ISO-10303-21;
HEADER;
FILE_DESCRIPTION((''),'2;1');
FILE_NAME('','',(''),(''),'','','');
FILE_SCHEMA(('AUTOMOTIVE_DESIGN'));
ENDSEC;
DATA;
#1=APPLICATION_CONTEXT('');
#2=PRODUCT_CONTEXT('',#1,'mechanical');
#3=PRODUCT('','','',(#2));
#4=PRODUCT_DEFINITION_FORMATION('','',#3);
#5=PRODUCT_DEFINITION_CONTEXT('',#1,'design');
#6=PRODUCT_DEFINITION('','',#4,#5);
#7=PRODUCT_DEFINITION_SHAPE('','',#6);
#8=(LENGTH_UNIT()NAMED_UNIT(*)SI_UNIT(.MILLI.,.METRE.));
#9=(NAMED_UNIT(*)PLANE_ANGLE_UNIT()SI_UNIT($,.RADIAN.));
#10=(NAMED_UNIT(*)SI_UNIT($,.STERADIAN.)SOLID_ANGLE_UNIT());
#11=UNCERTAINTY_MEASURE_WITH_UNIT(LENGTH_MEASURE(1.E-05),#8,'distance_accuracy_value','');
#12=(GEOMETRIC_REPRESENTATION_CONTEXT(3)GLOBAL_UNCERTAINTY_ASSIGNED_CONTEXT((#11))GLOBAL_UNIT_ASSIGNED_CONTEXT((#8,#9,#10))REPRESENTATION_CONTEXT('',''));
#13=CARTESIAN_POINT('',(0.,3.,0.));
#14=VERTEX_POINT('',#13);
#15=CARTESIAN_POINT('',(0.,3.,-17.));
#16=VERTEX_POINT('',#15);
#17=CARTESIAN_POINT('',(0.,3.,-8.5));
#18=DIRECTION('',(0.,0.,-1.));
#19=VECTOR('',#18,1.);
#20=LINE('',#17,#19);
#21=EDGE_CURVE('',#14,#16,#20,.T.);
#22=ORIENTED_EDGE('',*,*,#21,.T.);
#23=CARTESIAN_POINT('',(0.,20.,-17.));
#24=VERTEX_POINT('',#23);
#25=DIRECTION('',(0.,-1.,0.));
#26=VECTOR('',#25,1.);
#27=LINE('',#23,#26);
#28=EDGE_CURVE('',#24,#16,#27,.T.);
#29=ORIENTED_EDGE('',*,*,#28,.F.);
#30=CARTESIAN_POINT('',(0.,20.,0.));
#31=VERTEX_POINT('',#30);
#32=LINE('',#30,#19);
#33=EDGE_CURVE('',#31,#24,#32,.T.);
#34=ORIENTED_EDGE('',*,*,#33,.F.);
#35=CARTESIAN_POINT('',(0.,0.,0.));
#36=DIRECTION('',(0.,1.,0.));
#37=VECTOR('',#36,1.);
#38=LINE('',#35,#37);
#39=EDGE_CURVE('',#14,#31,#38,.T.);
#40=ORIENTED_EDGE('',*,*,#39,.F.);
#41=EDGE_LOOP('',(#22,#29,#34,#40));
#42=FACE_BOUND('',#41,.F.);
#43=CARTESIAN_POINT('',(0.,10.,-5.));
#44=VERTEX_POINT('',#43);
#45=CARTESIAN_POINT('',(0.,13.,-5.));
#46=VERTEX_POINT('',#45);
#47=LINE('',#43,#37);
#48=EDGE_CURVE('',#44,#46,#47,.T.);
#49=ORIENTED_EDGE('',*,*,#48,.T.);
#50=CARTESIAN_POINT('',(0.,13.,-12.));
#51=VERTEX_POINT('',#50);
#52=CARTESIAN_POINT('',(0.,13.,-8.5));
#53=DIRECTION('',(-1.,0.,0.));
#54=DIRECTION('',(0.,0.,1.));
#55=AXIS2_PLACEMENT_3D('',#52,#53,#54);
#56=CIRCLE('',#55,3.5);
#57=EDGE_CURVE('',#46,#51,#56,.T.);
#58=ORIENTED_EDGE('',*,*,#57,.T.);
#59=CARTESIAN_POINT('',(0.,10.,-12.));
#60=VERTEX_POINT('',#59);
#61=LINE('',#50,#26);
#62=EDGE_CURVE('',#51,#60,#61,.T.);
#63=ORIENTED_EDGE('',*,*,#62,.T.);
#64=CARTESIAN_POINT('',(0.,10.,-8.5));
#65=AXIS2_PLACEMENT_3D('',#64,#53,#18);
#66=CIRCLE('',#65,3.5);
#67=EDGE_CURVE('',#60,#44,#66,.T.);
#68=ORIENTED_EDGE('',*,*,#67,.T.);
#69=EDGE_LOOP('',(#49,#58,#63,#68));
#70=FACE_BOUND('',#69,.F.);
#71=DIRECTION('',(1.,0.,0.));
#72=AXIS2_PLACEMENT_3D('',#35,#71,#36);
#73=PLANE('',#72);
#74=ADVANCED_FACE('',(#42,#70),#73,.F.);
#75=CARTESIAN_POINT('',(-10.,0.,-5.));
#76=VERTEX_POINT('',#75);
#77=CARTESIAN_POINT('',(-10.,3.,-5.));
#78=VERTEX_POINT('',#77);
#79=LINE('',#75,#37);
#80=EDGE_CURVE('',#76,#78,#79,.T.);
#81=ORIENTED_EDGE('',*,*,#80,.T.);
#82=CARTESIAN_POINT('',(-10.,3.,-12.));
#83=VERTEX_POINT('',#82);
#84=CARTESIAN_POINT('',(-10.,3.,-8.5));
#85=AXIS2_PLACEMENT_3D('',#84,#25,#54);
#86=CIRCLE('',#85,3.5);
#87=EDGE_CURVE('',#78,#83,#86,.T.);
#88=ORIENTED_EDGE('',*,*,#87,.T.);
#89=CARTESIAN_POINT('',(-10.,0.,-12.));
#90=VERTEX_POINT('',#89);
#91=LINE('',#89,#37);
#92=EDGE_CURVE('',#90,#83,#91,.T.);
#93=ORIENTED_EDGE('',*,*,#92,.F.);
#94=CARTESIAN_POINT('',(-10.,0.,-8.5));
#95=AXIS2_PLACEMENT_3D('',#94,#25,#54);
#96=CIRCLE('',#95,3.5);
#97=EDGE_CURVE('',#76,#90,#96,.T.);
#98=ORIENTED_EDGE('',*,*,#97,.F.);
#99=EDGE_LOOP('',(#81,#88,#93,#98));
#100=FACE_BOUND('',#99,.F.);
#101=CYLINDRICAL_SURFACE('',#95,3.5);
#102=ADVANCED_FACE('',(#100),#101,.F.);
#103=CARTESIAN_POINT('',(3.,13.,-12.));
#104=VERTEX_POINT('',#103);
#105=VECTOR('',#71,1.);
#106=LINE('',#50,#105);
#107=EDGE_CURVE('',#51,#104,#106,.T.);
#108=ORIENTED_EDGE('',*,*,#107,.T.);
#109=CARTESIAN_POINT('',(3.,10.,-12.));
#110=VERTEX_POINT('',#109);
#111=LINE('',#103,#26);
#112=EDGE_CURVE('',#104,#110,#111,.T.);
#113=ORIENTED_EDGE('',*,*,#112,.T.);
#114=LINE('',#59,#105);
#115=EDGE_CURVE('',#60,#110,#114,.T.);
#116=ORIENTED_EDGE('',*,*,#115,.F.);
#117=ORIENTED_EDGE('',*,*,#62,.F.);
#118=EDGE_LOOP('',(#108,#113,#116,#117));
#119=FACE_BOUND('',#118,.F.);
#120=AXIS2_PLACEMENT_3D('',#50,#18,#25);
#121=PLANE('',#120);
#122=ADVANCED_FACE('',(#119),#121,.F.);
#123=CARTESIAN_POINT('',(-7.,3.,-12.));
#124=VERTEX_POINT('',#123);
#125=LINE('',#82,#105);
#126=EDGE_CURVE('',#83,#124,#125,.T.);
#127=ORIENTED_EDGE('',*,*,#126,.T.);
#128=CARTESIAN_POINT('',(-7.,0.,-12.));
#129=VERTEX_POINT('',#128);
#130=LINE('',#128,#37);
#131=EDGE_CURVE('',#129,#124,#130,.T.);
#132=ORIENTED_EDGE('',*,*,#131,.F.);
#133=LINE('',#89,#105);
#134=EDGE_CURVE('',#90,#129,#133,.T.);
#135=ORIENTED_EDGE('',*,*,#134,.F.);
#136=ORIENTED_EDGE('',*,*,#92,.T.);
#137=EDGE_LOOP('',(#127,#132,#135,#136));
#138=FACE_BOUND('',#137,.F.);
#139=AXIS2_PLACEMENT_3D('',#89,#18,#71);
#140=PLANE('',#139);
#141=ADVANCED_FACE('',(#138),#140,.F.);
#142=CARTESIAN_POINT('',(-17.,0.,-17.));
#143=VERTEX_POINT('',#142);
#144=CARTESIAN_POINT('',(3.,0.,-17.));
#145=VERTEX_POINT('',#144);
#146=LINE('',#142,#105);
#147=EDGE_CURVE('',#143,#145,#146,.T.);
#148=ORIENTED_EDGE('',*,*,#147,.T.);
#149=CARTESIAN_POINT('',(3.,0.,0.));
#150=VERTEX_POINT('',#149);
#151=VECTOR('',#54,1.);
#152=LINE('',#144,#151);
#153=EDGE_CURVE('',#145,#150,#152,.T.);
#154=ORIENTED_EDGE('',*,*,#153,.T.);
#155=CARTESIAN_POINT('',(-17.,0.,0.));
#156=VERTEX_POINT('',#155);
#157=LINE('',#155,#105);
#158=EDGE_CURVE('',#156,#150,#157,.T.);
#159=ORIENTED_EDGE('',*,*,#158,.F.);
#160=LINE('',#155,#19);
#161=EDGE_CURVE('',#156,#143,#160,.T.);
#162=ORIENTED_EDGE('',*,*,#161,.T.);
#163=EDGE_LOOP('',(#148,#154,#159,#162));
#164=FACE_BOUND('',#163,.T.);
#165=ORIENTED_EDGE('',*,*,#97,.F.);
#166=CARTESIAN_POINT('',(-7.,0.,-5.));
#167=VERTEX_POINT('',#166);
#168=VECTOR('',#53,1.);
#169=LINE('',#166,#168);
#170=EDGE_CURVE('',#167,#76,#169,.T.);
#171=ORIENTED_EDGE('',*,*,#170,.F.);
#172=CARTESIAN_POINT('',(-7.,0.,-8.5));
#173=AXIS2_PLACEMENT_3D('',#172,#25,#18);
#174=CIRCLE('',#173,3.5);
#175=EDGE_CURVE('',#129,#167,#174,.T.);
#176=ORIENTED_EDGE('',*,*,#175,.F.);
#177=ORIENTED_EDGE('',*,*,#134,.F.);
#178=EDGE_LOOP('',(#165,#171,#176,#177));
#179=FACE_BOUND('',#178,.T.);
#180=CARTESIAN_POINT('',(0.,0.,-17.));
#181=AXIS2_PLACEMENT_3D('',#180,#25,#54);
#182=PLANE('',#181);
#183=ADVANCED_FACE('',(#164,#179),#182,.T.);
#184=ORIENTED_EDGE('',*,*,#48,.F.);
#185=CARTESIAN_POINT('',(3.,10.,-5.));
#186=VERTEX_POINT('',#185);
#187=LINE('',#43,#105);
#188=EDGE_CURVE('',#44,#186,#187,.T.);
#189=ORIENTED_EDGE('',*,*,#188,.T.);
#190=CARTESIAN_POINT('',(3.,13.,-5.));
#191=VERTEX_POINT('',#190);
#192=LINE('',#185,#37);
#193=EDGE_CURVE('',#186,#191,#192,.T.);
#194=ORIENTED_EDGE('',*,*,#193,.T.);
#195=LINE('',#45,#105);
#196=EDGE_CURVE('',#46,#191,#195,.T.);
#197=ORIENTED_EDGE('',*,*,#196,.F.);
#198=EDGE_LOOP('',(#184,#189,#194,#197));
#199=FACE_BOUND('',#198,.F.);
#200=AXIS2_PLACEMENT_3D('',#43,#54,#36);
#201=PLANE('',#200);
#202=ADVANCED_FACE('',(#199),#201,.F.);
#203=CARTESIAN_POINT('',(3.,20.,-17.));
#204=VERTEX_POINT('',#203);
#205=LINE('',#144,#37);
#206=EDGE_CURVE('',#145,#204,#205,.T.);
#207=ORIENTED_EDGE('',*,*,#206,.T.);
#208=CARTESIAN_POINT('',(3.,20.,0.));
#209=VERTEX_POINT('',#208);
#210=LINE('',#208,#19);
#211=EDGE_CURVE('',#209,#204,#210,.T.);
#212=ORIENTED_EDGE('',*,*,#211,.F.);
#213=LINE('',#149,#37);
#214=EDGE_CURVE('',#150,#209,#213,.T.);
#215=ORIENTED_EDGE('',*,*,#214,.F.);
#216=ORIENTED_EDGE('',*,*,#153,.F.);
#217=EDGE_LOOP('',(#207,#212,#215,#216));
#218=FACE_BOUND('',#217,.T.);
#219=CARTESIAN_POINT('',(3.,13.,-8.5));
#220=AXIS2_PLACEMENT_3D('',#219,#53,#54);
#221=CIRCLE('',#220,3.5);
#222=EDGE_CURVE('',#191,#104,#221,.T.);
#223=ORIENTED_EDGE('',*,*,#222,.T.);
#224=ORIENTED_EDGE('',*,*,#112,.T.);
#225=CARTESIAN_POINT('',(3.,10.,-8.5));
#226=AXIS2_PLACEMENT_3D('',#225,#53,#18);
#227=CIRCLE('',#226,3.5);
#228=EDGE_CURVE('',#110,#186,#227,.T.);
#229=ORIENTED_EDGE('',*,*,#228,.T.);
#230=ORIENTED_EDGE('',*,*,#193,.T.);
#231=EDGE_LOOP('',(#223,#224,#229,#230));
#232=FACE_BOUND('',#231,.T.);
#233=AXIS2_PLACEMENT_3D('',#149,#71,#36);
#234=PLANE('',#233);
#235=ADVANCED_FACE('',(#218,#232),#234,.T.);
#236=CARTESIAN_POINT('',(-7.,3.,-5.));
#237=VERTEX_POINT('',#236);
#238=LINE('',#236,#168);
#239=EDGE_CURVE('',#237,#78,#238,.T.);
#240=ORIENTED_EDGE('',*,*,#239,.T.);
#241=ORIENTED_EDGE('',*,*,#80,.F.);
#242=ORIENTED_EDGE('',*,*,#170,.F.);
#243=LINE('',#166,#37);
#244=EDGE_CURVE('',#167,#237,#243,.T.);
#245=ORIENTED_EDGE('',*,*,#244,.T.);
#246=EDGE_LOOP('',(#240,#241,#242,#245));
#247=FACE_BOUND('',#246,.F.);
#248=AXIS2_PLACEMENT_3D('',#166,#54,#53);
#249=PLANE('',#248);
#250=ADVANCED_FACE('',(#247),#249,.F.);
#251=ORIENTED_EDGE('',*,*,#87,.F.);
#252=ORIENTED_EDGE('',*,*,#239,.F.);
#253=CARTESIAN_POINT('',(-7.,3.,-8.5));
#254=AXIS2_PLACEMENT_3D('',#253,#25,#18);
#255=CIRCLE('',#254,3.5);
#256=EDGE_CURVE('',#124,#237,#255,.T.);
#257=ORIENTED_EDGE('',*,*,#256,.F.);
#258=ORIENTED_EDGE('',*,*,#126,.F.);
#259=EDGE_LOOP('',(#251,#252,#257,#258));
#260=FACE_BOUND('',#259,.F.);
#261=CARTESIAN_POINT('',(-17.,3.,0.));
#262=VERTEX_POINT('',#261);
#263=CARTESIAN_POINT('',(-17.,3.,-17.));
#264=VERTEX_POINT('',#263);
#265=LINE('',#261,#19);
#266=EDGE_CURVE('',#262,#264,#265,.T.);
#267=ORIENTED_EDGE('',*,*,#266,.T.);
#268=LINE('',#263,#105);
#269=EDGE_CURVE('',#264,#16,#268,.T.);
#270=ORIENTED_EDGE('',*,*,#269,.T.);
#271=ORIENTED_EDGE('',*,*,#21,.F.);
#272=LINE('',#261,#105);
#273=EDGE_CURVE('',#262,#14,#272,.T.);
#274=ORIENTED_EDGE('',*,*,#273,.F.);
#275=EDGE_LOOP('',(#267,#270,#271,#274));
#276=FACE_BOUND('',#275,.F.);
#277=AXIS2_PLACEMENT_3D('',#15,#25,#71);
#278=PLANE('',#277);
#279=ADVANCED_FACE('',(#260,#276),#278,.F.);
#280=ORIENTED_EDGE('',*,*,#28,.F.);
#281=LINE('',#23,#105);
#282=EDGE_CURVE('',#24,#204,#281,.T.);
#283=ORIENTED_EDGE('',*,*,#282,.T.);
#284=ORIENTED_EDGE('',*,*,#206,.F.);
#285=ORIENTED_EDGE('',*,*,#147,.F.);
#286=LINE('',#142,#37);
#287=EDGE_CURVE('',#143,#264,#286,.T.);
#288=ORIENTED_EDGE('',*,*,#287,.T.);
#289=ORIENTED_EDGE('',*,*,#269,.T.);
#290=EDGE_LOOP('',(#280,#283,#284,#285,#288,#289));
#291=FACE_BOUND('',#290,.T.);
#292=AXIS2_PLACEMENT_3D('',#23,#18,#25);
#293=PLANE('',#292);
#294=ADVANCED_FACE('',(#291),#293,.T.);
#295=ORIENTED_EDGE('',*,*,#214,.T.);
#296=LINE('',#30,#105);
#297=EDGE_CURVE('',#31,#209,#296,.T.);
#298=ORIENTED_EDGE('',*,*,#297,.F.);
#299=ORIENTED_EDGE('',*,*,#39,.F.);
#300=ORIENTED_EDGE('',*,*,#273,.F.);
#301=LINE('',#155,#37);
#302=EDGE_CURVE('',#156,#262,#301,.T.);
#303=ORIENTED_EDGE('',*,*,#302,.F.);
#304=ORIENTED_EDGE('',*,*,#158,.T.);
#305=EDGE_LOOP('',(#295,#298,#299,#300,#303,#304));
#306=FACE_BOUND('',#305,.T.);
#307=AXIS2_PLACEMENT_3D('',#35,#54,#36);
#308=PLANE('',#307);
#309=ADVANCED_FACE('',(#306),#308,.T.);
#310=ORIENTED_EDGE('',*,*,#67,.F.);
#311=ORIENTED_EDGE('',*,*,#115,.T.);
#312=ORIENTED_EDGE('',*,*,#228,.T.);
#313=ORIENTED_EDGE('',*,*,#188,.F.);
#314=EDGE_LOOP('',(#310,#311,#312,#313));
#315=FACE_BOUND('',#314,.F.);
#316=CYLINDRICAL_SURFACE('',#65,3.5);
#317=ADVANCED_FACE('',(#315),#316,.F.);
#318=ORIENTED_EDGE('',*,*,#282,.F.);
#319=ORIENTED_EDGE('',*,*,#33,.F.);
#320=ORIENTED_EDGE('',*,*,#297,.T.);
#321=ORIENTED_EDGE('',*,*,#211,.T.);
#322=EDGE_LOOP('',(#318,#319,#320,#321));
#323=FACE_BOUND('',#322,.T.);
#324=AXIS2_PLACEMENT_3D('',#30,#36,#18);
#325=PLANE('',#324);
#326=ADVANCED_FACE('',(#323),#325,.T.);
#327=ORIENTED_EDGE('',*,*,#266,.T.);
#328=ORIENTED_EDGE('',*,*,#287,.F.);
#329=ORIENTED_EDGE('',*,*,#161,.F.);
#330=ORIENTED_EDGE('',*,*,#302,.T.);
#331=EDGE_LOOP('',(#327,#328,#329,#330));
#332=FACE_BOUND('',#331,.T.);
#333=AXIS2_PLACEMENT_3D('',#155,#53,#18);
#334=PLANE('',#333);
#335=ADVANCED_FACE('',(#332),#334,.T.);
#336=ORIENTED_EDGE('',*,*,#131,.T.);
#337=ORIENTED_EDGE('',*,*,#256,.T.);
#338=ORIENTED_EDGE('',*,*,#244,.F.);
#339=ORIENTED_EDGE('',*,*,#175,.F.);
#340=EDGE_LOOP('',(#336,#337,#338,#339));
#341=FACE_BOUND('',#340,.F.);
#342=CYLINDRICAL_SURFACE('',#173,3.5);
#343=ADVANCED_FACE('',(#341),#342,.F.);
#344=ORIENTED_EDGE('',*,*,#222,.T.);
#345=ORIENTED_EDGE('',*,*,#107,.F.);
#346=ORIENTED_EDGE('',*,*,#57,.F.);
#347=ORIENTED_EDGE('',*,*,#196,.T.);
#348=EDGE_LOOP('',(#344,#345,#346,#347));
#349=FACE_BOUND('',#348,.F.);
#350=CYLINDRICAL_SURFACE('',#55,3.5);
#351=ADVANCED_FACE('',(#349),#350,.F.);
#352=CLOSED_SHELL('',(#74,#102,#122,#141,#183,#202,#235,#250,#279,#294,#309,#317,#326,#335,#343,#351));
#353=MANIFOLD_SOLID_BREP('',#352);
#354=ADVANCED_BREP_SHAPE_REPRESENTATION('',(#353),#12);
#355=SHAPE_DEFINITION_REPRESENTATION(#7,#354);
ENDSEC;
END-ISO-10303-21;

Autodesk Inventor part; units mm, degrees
ref_plane "YZ Plane" through (0, 0, 0) normal (1, 0, 0) x (0, 1, 0)
ref_plane "XZ Plane" through (0, 0, 0) normal (0, 1, 0) x (-1, 0, 0)
ref_plane "XY Plane" through (0, 0, 0) normal (0, 0, 1) x (1, 0, 0)
sketch "Sketch1" plane through (0, 0, 0) normal (1, 0, 0) x (0, 1, 0)
  line L0 (0, 0) -> (20, 0)
  line L1 (20, 0) -> (20, -17)
  line L2 (20, -17) -> (0, -17)
  line L3 (0, -17) -> (0, 0)
  dimension "d0" = 20
  dimension "d1" = 17
extrude "Extrusion1" add sketch "Sketch1" along normal blind 3
sketch "Sketch2" plane through (0, 0, -17) normal (0, -1, 0) x (1, 0, 0)
  line L0 (3, 0) -> (3, 17) projected
  line L1 (3, 17) -> (-17, 17)
  line L2 (-17, 17) -> (-17, 0)
  line L3 (-17, 0) -> (3, 0)
  line L4 (3, 0) -> (3, 17)
  line L5 (-17, 17) -> (-17, 0)
  line L6 (0, 0) -> (-17, 0)
  line L7 (0, 17) -> (0, 0)
  line L8 (-17, 17) -> (0, 17)
  line L9 (-10, 8.5) -> (-7, 8.5) construction
  line L10 (-10, 5) -> (-7, 5)
  line L11 (-7, 12) -> (-10, 12)
  arc A0 (-10, 12) -> (-10, 5) centre (-10, 8.5) ccw
  arc A1 (-7, 5) -> (-7, 12) centre (-7, 8.5) ccw
  point P0 (0, 17)
  point P1 (0, 0)
  point P2 (-8.5, 8.5)
  dimension "d4" = 20
  dimension "d15" = 7
  dimension "d16" = 3
  dimension "d17" = 7
  dimension "d18" = 17
  dimension "d19" = 17
  dimension "d20" = 8.5
extrude "Extrusion2" add sketch "Sketch2" against normal blind 3 contours L3 L7 L1 L0 | L3 L2 L1 L7 | A0 L11 A1 L10
sketch "Sketch3" plane through (0, 0, 0) normal (-1, 0, 0) x (0, 0, 1)
  line L0 (-17, 3) -> (0, 3)
  line L1 (0, 20) -> (0, 3)
  line L2 (-17, 20) -> (0, 20)
  line L3 (-17, 3) -> (-17, 20)
  line L4 (-8.5, 10) -> (-8.5, 13) construction
  line L5 (-5, 10) -> (-5, 13)
  line L6 (-12, 13) -> (-12, 10)
  arc A0 (-12, 10) -> (-5, 10) centre (-8.5, 10) ccw
  arc A1 (-5, 13) -> (-12, 13) centre (-8.5, 13) ccw
  point P0 (0, 0)
  point P1 (-8.5, 11.5)
  dimension "d7" = 7
  dimension "d8" = 3
  dimension "d9" = 7
  dimension "d10" = 17
  dimension "d11" = 17
  dimension "d12" = 8.5
extrude "Extrusion3" cut sketch "Sketch3" against normal blind 3 contours A0 L6 A1 L5
extrude "Extrusion4" cut sketch "Sketch2" against normal blind 3 contours A0 L11 A1 L10
equation "\"d17\" = -0.5 * d16 + 0.5 * d18"
equation "\"d20\" = 0.5 * d19"
equation "\"d9\" = -0.5 * d8 + 0.5 * d10"
equation "\"d12\" = 0.5 * d11"
properties part number "2020RightAngle" material "Aluminum 6061"
